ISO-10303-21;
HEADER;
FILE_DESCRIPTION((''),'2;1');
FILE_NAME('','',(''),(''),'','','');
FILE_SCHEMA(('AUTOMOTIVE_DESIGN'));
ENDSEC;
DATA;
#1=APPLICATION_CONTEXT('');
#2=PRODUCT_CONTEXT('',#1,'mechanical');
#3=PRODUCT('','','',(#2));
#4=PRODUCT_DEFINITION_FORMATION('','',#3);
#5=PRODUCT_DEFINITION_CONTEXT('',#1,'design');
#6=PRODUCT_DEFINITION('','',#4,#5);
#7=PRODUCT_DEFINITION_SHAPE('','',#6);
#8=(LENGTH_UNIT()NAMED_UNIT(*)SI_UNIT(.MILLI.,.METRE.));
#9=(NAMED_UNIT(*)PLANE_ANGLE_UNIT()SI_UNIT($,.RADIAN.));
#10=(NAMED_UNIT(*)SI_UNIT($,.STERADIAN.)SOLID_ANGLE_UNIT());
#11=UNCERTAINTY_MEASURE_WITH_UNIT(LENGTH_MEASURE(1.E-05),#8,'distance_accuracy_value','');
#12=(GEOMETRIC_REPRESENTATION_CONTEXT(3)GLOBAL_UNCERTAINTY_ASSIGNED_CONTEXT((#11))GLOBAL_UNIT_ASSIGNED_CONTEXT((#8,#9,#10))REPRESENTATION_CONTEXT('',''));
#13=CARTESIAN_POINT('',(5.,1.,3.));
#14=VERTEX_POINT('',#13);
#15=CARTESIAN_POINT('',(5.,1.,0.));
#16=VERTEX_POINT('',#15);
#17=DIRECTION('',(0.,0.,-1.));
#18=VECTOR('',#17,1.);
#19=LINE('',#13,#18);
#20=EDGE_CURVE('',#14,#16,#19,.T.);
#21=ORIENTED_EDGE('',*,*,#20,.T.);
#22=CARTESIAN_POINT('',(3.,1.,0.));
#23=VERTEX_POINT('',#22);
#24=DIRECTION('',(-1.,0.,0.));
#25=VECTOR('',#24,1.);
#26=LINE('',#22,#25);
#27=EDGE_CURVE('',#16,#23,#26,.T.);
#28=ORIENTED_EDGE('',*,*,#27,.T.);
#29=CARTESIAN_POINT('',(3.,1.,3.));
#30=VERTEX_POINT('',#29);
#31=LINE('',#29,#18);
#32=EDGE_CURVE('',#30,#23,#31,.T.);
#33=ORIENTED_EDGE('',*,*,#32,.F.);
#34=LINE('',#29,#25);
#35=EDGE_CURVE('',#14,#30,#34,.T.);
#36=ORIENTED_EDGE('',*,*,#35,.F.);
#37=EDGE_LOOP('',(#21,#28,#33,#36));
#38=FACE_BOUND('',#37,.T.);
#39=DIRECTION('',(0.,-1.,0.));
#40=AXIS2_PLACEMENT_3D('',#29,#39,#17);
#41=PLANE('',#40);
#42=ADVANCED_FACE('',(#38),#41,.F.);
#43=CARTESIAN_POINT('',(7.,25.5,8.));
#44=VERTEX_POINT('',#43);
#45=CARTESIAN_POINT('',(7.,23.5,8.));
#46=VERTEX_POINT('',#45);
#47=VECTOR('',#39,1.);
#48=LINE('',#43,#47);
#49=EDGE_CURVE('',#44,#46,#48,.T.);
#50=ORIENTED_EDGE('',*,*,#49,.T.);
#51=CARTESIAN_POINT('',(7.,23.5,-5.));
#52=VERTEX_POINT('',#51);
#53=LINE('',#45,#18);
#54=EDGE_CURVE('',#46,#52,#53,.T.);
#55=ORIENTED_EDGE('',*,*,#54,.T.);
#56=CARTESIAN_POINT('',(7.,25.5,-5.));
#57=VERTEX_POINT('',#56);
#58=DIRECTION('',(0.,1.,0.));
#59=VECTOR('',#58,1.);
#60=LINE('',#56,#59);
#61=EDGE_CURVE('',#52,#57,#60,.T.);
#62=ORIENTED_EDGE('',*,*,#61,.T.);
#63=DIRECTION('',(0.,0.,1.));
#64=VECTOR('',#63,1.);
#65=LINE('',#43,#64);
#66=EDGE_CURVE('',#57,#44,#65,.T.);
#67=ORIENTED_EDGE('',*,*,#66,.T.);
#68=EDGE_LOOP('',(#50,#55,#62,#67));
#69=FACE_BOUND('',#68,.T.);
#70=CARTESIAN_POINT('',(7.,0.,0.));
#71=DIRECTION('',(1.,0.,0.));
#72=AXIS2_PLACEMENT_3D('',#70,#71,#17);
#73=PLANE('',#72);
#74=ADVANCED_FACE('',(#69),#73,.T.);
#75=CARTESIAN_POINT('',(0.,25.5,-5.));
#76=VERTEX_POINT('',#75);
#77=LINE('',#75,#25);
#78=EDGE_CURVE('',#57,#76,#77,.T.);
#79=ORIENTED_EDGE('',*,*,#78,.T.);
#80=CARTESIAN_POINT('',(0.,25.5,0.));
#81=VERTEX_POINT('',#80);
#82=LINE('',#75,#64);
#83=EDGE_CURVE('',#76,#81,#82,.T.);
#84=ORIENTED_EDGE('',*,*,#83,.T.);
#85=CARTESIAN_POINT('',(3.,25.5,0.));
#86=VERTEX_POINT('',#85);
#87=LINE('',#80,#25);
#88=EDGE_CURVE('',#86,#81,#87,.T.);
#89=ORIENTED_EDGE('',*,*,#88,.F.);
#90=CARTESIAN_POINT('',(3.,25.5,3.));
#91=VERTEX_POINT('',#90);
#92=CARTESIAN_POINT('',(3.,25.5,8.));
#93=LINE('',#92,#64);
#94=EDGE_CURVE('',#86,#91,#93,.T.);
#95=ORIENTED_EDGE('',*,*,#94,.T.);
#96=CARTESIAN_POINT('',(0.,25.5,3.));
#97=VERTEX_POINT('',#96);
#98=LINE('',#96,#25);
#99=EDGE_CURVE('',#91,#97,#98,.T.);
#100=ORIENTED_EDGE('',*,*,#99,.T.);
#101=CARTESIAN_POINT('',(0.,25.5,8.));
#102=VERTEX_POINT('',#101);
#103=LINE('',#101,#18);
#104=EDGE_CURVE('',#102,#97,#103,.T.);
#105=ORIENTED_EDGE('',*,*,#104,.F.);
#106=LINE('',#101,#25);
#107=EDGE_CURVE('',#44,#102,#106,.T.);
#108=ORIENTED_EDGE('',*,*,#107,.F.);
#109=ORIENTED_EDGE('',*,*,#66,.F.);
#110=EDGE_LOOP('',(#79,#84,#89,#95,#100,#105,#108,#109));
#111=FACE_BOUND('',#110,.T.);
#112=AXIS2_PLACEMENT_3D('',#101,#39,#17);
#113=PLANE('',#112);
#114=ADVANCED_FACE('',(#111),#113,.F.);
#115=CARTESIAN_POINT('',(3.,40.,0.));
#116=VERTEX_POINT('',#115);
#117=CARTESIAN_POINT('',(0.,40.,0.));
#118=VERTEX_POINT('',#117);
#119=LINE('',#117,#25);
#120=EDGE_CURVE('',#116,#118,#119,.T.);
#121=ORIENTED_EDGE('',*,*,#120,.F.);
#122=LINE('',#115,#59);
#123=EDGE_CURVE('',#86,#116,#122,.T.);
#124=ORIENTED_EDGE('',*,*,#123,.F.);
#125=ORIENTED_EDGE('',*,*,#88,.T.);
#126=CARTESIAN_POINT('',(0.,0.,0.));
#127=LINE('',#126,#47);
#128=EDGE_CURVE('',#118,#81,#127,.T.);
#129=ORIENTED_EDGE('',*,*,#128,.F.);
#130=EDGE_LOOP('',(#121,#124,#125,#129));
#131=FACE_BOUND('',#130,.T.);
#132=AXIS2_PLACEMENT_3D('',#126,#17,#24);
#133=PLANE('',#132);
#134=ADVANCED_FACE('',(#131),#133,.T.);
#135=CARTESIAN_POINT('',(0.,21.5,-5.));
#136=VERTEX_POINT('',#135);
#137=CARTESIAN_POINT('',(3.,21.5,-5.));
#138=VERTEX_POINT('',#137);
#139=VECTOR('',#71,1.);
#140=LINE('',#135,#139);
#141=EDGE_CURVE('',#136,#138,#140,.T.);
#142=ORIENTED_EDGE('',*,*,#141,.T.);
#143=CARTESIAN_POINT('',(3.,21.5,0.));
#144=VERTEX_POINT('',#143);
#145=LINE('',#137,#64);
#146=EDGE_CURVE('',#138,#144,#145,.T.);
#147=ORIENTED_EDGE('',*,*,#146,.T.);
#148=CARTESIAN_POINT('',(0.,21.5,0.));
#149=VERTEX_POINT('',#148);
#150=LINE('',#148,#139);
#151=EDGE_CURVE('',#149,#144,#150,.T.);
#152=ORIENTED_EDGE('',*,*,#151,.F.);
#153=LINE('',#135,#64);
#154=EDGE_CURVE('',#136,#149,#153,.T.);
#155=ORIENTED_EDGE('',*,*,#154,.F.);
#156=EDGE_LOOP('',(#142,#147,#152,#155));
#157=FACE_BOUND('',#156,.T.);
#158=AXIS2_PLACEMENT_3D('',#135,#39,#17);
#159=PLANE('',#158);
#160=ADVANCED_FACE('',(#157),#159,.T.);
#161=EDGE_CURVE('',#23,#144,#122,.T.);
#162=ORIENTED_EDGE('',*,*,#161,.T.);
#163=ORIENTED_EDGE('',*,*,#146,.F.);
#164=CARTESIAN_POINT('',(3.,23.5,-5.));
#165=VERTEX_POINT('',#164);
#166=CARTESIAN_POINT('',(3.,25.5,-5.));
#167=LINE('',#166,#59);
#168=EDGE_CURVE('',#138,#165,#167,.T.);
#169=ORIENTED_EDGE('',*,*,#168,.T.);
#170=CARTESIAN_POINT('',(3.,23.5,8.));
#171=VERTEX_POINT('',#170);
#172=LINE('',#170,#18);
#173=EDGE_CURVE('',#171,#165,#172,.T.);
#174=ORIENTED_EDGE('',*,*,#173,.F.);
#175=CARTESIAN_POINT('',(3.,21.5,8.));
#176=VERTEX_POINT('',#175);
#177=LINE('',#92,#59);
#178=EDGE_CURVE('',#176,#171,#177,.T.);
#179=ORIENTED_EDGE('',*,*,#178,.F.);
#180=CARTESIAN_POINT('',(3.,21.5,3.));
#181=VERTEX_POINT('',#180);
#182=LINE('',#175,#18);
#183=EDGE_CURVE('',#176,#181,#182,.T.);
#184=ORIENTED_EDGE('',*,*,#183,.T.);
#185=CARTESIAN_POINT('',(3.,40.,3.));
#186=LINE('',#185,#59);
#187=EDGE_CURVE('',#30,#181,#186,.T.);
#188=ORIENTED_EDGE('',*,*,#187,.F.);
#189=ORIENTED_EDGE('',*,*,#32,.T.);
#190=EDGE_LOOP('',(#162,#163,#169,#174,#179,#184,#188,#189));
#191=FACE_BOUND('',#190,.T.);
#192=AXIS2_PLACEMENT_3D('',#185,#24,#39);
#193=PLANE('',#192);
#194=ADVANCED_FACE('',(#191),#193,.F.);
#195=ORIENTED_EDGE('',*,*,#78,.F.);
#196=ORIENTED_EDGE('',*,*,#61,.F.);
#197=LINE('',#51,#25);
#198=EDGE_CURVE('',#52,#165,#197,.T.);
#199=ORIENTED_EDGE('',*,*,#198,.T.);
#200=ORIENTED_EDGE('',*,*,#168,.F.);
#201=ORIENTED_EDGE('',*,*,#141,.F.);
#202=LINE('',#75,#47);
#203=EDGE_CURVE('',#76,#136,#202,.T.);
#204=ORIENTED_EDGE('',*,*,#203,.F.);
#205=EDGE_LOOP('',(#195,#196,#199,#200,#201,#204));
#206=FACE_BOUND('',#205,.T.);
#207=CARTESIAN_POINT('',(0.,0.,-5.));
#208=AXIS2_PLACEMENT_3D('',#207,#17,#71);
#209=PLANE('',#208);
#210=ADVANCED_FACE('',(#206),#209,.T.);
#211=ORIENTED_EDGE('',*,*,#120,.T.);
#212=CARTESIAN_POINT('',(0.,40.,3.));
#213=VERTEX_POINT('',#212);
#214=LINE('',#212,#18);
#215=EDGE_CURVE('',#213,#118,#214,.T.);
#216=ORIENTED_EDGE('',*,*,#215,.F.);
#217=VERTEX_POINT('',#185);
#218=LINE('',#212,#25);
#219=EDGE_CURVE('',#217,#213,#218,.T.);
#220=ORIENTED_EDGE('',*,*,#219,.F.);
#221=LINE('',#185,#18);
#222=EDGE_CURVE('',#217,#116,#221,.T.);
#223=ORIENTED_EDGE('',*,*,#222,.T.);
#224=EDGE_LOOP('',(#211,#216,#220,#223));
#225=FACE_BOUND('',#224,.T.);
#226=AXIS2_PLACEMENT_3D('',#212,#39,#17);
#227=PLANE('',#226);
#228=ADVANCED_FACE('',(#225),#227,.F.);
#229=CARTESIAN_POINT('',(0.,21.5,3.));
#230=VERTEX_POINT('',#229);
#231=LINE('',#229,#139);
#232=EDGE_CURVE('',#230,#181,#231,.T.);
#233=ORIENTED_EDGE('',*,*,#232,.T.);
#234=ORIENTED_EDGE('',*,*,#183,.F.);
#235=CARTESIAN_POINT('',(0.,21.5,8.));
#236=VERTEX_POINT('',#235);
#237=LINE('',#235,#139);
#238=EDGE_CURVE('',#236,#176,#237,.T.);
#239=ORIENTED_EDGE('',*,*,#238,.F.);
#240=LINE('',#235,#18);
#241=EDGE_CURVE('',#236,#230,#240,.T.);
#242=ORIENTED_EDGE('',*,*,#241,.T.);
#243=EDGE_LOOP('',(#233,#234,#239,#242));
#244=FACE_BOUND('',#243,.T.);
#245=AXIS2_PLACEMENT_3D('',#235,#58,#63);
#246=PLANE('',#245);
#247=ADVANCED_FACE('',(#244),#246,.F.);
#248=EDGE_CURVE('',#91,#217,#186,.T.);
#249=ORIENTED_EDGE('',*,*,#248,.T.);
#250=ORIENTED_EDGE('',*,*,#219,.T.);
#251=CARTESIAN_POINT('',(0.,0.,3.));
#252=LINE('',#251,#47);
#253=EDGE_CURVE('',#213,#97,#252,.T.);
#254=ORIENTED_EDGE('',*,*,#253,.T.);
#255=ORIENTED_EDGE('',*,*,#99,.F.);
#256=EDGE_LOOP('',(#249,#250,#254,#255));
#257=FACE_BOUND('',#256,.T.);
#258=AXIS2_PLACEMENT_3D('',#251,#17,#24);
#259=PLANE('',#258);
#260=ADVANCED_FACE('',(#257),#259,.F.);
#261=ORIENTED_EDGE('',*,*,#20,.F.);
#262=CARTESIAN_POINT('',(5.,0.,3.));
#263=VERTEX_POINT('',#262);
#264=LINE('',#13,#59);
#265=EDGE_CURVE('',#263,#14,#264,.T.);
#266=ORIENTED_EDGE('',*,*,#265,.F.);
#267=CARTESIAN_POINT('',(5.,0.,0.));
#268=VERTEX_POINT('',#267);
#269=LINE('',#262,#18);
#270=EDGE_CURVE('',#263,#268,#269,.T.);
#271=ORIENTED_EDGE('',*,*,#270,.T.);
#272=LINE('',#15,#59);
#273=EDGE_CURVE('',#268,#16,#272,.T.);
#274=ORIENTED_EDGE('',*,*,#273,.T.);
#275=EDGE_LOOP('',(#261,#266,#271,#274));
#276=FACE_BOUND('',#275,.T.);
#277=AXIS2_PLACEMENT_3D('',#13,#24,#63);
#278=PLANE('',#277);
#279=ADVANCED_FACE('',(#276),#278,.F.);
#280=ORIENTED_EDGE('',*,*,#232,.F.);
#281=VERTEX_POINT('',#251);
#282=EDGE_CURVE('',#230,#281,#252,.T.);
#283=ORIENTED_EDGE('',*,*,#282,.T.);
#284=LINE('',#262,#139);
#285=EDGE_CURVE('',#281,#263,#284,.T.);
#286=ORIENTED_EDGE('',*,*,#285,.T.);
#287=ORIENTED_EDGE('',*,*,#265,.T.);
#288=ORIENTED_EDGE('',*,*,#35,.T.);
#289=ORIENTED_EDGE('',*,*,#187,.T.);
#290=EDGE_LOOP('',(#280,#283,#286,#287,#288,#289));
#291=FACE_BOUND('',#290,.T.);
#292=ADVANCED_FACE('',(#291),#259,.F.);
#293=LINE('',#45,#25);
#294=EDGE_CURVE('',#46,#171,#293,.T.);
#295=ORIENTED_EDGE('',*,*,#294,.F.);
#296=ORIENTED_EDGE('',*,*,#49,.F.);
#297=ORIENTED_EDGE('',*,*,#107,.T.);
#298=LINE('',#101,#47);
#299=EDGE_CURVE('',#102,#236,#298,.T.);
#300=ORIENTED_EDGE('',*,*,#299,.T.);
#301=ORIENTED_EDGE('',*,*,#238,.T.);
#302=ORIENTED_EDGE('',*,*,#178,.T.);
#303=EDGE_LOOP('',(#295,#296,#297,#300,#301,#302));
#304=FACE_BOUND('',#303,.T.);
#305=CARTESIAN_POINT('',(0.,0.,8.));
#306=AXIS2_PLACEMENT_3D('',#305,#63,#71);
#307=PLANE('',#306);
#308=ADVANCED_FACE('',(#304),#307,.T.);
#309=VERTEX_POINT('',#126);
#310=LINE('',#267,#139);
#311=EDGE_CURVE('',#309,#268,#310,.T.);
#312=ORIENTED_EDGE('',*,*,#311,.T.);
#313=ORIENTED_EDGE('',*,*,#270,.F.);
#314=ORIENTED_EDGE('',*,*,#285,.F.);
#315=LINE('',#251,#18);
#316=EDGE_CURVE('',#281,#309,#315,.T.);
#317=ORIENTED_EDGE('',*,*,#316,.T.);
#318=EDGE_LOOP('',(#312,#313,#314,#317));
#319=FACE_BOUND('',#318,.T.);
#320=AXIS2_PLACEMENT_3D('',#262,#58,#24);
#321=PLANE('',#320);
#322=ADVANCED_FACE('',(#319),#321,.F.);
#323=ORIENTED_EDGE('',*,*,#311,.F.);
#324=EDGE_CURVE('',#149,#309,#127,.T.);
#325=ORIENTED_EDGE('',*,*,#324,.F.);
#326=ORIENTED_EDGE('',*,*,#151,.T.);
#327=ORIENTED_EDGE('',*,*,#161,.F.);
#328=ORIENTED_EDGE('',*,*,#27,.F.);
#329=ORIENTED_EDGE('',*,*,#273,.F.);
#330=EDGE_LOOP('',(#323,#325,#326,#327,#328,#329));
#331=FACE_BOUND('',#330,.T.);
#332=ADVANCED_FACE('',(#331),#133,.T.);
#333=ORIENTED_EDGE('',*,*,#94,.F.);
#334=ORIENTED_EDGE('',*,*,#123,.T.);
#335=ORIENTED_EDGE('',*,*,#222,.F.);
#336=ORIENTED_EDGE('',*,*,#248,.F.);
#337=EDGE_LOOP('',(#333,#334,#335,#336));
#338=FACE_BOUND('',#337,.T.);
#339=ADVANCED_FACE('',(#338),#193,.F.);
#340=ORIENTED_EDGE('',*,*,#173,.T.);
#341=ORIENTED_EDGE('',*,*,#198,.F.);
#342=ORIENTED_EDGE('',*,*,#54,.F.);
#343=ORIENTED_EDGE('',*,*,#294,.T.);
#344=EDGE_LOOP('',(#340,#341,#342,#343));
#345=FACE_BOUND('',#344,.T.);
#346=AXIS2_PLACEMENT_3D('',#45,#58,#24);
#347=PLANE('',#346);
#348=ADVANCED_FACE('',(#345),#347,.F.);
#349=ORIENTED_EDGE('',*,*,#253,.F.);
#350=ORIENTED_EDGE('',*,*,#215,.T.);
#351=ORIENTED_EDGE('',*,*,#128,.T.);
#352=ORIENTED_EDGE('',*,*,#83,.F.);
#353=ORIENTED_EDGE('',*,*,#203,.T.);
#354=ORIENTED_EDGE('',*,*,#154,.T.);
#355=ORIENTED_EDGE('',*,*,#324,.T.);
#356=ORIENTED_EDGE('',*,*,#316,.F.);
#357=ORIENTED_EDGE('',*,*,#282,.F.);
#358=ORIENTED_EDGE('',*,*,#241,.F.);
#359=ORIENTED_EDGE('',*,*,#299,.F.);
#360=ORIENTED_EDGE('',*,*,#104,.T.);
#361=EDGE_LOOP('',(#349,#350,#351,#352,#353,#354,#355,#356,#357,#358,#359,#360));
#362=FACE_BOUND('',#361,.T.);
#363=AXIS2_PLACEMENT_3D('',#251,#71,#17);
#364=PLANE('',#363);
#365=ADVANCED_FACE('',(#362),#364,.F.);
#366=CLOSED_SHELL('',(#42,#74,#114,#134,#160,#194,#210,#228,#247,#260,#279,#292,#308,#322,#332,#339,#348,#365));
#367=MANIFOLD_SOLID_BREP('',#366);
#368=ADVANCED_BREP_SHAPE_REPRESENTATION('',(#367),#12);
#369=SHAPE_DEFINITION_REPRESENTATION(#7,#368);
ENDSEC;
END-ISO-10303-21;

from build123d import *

# Parameters (mm, degrees)
BOSS_EXTRUDE1_DEPTH = 3
SKETCH2_W           = 3
SKETCH2_H           = 4
BOSS_EXTRUDE2_DEPTH = 5
SKETCH5_W           = 13
SKETCH5_H           = 2
BOSS_EXTRUDE4_DEPTH = 4


with BuildPart() as part:
    # Sketch1 → Boss-Extrude1 (new body)
    with BuildSketch(Plane.XY):
        Polygon((0, 0), (0, 40), (3, 40), (3, 1), (5, 1), (5, 0), align=None)
    extrude(amount=BOSS_EXTRUDE1_DEPTH)

    # Sketch2 → Boss-Extrude2 (add)
    with BuildSketch(Plane.XY.offset(3)):
        with Locations((1.5, 23.5)):
            Rectangle(SKETCH2_W, SKETCH2_H)
    boss_extrude2 = extrude(amount=BOSS_EXTRUDE2_DEPTH)

    # Mirror1: Boss-Extrude2 across plane
    add(boss_extrude2.mirror(Plane.XY.offset(1.5)))

    # Sketch5 → Boss-Extrude4 (add)
    with BuildSketch(Plane(origin=(3, 0, 0), x_dir=(0, 0, -1), z_dir=(1, 0, 0))):
        with Locations((-1.5, 24.5)):
            Rectangle(SKETCH5_W, SKETCH5_H)
    extrude(amount=BOSS_EXTRUDE4_DEPTH)


solid = part.part
